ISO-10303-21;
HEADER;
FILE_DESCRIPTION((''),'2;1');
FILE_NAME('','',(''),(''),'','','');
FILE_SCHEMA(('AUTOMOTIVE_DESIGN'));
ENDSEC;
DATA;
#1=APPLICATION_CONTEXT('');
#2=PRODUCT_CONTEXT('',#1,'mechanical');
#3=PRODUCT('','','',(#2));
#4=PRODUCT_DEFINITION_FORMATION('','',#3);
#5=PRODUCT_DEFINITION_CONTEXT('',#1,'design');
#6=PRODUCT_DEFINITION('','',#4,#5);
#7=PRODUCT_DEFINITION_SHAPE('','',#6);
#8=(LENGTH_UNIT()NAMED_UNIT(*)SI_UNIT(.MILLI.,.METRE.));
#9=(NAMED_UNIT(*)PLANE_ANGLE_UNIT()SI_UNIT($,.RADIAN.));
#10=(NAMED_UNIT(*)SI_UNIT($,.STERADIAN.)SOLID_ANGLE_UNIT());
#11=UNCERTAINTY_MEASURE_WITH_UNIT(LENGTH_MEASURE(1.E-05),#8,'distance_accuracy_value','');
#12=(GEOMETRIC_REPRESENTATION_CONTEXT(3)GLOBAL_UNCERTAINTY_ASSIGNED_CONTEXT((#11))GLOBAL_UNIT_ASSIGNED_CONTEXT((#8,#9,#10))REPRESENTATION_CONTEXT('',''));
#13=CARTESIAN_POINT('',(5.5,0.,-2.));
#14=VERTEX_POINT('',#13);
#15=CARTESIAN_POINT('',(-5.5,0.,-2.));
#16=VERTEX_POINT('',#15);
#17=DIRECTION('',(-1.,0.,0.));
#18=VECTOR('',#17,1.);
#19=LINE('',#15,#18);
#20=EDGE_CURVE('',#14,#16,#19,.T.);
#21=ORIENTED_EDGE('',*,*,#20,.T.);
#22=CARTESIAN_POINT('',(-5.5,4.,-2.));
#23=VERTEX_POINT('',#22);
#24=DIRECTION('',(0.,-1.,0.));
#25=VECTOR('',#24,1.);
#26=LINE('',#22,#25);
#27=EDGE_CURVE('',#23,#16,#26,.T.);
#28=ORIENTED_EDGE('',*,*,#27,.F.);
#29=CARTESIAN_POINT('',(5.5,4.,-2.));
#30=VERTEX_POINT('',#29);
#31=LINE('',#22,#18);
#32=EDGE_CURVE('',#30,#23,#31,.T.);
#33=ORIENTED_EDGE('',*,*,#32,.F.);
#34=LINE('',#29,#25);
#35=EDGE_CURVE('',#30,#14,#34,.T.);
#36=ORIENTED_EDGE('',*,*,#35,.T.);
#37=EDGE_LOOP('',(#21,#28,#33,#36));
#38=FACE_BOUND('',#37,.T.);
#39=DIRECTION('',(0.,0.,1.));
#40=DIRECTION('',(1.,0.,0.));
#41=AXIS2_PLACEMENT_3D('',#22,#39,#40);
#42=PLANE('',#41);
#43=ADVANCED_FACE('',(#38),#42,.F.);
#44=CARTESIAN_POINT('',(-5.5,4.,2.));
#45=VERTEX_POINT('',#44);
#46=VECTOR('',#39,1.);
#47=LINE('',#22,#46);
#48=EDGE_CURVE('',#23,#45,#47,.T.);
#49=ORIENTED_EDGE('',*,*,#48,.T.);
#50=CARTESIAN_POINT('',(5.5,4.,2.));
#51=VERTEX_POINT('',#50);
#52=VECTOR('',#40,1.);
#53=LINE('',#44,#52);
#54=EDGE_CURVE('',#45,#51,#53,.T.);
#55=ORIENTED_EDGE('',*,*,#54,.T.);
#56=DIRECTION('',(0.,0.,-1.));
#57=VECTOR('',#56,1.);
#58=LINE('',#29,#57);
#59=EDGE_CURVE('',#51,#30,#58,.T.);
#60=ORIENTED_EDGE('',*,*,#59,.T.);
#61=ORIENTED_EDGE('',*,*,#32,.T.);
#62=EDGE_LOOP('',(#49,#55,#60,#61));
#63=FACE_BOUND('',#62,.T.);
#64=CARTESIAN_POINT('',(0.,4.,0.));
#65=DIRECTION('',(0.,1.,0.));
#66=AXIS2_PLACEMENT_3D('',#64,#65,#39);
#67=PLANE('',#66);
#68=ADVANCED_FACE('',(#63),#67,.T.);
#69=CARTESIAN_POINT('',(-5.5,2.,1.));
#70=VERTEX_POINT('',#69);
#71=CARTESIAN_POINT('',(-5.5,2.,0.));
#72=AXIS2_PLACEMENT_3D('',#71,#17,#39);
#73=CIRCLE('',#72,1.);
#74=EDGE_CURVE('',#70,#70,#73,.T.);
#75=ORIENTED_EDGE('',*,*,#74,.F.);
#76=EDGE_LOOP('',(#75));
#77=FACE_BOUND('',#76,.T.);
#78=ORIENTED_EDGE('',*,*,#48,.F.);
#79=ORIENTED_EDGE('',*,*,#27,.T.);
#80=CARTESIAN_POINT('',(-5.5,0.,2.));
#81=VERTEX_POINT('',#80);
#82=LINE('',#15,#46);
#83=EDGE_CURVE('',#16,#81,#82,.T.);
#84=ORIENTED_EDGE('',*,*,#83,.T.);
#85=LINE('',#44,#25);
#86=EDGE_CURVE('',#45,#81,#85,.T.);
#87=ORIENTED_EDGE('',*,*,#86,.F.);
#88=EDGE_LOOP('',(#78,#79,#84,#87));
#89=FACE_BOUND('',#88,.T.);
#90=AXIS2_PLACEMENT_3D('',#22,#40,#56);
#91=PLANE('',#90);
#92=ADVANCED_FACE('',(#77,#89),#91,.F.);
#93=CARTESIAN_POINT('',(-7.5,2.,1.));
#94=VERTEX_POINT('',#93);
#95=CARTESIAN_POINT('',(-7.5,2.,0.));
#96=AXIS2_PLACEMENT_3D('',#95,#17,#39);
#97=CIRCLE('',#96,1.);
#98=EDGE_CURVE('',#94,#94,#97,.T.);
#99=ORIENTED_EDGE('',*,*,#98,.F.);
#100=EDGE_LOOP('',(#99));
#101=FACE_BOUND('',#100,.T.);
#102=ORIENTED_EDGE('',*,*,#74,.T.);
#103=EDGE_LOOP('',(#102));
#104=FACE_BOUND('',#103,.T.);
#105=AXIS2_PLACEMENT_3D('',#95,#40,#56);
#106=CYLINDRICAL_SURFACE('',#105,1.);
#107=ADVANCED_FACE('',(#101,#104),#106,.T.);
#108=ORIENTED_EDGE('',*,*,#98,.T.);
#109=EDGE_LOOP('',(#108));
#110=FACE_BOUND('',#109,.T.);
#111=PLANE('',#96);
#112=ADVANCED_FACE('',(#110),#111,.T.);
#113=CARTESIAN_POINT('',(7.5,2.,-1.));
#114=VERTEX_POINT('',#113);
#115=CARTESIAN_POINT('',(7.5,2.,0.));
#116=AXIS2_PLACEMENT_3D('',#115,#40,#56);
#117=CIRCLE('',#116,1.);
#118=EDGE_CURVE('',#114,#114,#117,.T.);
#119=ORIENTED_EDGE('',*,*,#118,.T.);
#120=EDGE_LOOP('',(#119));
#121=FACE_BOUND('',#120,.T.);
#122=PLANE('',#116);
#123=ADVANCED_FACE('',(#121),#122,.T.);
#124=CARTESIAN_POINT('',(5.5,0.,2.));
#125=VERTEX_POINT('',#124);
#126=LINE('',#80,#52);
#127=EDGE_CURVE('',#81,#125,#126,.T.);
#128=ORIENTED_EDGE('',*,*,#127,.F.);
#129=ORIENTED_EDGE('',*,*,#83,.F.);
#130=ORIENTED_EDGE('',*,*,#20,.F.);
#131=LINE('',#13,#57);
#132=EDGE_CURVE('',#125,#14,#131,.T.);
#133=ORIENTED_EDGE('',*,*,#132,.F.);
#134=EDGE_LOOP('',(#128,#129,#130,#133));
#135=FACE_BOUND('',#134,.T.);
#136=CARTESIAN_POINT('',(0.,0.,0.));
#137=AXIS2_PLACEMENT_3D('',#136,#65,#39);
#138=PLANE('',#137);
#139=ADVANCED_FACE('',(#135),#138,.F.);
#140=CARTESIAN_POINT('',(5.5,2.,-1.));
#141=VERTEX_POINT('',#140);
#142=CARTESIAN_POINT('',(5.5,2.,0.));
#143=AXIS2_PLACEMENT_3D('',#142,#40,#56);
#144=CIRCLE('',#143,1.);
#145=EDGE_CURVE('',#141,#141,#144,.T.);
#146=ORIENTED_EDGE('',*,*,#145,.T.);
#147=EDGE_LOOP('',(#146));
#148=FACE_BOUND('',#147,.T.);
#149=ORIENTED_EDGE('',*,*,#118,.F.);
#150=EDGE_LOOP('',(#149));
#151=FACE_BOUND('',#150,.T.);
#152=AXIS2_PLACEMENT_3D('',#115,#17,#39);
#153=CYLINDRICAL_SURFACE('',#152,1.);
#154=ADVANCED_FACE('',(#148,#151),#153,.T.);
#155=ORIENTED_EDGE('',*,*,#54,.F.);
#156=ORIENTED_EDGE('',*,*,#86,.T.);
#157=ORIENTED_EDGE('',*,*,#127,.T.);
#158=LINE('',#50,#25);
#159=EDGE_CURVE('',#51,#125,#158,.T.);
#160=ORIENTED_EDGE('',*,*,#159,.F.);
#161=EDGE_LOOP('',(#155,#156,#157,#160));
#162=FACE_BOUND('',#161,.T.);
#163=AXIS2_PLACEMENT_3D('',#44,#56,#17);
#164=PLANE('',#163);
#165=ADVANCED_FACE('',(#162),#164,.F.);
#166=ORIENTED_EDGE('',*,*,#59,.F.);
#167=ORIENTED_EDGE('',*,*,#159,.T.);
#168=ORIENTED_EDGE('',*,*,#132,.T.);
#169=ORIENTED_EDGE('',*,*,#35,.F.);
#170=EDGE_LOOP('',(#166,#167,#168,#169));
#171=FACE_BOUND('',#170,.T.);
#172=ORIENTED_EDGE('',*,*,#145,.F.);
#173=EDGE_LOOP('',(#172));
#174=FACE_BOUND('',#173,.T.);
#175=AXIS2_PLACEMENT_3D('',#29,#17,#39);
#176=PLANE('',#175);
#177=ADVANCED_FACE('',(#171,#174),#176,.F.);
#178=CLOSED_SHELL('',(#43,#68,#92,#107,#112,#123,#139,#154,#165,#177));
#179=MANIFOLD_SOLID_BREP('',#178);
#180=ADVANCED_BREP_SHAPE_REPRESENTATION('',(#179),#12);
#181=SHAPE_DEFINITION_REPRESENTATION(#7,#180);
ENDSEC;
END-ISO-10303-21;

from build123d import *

# Parameters (mm, degrees)
SKETCH1_W           = 11
SKETCH1_H           = 4
BOSS_EXTRUDE1_DEPTH = 4
SKETCH2_R           = 1
BOSS_EXTRUDE2_DEPTH = 2
SKETCH3_R           = 1
BOSS_EXTRUDE3_DEPTH = 2


with BuildPart() as part:
    # Sketch1 → Boss-Extrude1 (new body)
    with BuildSketch(Plane(origin=(0, 0, 0), x_dir=(1, 0, 0), z_dir=(0, 1, 0))):
        Rectangle(SKETCH1_W, SKETCH1_H)
    extrude(amount=BOSS_EXTRUDE1_DEPTH)

    # Sketch2 → Boss-Extrude2 (add)
    with BuildSketch(Plane(origin=(5.5, 0, 0), x_dir=(0, 0, -1), z_dir=(1, 0, 0))):
        with Locations((0, 2)):
            Circle(SKETCH2_R)
    extrude(amount=BOSS_EXTRUDE2_DEPTH)

    # Sketch3 → Boss-Extrude3 (add)
    with BuildSketch(Plane.ZY.offset(5.5)):
        with Locations((0, 2)):
            Circle(SKETCH3_R)
    extrude(amount=BOSS_EXTRUDE3_DEPTH)


solid = part.part
